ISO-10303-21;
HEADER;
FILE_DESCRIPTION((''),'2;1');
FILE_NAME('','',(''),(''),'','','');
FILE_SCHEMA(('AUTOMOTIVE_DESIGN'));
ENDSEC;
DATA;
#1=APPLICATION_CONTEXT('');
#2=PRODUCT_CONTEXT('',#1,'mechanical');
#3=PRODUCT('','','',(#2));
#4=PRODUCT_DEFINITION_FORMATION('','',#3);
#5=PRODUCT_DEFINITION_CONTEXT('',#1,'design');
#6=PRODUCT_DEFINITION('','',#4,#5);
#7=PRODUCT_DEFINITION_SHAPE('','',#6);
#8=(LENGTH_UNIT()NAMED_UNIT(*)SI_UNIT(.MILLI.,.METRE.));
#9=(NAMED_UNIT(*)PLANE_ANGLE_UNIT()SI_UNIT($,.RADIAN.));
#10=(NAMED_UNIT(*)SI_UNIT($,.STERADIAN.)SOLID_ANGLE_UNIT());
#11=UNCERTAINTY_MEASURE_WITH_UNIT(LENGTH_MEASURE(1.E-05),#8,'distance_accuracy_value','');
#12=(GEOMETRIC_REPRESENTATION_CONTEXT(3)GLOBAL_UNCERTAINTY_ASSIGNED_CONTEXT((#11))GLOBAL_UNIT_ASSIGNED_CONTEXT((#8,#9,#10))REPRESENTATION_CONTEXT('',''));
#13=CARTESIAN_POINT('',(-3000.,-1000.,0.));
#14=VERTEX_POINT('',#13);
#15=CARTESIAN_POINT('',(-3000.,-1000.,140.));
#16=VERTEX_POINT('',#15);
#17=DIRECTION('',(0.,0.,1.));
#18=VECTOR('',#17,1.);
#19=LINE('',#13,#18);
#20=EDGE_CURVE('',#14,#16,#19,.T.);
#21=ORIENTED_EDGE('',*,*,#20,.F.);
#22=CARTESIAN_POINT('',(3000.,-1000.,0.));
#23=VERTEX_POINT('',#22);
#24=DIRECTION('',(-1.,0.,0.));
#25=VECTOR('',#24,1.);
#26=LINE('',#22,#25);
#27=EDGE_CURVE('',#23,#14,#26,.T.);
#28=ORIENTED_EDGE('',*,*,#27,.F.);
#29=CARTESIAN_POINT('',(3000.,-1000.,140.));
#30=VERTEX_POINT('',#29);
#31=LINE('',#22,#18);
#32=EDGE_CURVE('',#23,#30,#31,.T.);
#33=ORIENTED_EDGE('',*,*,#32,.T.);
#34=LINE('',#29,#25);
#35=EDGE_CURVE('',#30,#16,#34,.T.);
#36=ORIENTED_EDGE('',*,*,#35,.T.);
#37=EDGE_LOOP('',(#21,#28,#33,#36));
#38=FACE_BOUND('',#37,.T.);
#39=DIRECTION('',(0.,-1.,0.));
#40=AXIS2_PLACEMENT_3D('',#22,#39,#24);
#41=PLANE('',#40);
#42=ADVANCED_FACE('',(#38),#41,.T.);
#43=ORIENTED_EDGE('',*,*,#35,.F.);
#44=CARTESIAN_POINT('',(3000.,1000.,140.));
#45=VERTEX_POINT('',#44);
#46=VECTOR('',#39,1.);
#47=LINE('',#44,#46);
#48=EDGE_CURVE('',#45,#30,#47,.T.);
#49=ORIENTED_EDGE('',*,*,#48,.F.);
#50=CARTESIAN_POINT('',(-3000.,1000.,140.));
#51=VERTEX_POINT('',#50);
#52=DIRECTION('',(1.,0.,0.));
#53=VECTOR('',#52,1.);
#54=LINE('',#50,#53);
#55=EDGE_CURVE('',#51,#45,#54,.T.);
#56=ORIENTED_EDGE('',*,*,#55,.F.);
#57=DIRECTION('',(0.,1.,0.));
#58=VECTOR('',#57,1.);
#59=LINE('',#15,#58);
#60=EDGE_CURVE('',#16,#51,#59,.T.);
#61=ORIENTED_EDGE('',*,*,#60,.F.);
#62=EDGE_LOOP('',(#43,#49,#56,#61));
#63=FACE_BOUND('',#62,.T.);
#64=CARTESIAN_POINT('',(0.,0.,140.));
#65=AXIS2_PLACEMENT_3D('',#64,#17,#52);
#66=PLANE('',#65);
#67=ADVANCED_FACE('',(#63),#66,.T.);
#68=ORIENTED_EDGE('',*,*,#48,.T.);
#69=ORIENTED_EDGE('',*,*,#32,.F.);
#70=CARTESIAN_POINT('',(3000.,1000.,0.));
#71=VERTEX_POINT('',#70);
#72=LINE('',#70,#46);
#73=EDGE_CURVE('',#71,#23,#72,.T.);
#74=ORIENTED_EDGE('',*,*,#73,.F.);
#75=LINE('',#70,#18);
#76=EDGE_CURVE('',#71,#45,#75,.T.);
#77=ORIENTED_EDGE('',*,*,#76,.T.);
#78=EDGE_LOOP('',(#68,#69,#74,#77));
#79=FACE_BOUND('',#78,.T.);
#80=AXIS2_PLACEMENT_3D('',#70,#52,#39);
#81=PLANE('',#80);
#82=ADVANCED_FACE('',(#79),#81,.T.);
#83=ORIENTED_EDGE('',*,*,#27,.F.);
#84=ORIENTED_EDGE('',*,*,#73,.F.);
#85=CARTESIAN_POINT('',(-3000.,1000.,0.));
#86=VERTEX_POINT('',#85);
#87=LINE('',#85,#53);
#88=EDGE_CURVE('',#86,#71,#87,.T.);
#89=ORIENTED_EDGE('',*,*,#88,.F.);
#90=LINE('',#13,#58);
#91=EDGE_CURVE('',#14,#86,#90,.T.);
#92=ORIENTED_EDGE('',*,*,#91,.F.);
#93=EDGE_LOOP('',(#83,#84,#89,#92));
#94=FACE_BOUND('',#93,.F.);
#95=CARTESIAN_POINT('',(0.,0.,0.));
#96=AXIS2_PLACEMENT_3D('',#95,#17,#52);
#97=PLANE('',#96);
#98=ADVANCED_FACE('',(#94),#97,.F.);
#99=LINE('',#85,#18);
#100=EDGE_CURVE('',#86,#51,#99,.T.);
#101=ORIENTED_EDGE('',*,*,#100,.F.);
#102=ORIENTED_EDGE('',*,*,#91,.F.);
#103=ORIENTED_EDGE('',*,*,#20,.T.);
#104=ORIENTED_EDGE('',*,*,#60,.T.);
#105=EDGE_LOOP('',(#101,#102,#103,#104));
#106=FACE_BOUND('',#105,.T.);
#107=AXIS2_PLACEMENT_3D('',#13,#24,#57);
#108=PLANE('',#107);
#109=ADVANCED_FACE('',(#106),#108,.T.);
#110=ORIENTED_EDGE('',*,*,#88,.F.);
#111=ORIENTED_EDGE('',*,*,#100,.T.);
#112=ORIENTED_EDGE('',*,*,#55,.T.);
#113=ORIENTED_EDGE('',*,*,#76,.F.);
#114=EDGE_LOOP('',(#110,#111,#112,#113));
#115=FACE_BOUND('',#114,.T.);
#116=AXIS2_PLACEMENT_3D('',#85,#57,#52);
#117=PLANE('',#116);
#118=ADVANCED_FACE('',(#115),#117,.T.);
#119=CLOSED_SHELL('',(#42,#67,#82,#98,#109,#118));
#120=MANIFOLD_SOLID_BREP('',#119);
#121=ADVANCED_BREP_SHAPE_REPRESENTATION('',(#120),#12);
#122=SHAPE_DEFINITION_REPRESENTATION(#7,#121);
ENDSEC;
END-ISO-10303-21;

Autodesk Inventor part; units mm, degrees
ref_plane "YZ Plane" through (0, 0, 0) normal (1, 0, 0) x (0, 1, 0)
ref_plane "XZ Plane" through (0, 0, 0) normal (0, 1, 0) x (-1, 0, 0)
ref_plane "XY Plane" through (0, 0, 0) normal (0, 0, 1) x (1, 0, 0)
sketch "Sketch1" plane through (0, 0, 0) normal (0, 0, 1) x (1, 0, 0)
  line L0 (-3000, 1000) -> (3000, 1000)
  line L1 (3000, 1000) -> (3000, -1000)
  line L2 (3000, -1000) -> (-3000, -1000)
  line L3 (-3000, -1000) -> (-3000, 1000)
  line L4 (-3000, 1000) -> (3000, -1000) construction
  line L5 (3000, 1000) -> (-3000, -1000) construction
  point P0 (0, 0)
  dimension "d0" = 6000
  dimension "d1" = 2000
extrude "Extrusion1" add sketch "Sketch1" along normal blind 140
properties part number "PNS-0921 concrete plate"
